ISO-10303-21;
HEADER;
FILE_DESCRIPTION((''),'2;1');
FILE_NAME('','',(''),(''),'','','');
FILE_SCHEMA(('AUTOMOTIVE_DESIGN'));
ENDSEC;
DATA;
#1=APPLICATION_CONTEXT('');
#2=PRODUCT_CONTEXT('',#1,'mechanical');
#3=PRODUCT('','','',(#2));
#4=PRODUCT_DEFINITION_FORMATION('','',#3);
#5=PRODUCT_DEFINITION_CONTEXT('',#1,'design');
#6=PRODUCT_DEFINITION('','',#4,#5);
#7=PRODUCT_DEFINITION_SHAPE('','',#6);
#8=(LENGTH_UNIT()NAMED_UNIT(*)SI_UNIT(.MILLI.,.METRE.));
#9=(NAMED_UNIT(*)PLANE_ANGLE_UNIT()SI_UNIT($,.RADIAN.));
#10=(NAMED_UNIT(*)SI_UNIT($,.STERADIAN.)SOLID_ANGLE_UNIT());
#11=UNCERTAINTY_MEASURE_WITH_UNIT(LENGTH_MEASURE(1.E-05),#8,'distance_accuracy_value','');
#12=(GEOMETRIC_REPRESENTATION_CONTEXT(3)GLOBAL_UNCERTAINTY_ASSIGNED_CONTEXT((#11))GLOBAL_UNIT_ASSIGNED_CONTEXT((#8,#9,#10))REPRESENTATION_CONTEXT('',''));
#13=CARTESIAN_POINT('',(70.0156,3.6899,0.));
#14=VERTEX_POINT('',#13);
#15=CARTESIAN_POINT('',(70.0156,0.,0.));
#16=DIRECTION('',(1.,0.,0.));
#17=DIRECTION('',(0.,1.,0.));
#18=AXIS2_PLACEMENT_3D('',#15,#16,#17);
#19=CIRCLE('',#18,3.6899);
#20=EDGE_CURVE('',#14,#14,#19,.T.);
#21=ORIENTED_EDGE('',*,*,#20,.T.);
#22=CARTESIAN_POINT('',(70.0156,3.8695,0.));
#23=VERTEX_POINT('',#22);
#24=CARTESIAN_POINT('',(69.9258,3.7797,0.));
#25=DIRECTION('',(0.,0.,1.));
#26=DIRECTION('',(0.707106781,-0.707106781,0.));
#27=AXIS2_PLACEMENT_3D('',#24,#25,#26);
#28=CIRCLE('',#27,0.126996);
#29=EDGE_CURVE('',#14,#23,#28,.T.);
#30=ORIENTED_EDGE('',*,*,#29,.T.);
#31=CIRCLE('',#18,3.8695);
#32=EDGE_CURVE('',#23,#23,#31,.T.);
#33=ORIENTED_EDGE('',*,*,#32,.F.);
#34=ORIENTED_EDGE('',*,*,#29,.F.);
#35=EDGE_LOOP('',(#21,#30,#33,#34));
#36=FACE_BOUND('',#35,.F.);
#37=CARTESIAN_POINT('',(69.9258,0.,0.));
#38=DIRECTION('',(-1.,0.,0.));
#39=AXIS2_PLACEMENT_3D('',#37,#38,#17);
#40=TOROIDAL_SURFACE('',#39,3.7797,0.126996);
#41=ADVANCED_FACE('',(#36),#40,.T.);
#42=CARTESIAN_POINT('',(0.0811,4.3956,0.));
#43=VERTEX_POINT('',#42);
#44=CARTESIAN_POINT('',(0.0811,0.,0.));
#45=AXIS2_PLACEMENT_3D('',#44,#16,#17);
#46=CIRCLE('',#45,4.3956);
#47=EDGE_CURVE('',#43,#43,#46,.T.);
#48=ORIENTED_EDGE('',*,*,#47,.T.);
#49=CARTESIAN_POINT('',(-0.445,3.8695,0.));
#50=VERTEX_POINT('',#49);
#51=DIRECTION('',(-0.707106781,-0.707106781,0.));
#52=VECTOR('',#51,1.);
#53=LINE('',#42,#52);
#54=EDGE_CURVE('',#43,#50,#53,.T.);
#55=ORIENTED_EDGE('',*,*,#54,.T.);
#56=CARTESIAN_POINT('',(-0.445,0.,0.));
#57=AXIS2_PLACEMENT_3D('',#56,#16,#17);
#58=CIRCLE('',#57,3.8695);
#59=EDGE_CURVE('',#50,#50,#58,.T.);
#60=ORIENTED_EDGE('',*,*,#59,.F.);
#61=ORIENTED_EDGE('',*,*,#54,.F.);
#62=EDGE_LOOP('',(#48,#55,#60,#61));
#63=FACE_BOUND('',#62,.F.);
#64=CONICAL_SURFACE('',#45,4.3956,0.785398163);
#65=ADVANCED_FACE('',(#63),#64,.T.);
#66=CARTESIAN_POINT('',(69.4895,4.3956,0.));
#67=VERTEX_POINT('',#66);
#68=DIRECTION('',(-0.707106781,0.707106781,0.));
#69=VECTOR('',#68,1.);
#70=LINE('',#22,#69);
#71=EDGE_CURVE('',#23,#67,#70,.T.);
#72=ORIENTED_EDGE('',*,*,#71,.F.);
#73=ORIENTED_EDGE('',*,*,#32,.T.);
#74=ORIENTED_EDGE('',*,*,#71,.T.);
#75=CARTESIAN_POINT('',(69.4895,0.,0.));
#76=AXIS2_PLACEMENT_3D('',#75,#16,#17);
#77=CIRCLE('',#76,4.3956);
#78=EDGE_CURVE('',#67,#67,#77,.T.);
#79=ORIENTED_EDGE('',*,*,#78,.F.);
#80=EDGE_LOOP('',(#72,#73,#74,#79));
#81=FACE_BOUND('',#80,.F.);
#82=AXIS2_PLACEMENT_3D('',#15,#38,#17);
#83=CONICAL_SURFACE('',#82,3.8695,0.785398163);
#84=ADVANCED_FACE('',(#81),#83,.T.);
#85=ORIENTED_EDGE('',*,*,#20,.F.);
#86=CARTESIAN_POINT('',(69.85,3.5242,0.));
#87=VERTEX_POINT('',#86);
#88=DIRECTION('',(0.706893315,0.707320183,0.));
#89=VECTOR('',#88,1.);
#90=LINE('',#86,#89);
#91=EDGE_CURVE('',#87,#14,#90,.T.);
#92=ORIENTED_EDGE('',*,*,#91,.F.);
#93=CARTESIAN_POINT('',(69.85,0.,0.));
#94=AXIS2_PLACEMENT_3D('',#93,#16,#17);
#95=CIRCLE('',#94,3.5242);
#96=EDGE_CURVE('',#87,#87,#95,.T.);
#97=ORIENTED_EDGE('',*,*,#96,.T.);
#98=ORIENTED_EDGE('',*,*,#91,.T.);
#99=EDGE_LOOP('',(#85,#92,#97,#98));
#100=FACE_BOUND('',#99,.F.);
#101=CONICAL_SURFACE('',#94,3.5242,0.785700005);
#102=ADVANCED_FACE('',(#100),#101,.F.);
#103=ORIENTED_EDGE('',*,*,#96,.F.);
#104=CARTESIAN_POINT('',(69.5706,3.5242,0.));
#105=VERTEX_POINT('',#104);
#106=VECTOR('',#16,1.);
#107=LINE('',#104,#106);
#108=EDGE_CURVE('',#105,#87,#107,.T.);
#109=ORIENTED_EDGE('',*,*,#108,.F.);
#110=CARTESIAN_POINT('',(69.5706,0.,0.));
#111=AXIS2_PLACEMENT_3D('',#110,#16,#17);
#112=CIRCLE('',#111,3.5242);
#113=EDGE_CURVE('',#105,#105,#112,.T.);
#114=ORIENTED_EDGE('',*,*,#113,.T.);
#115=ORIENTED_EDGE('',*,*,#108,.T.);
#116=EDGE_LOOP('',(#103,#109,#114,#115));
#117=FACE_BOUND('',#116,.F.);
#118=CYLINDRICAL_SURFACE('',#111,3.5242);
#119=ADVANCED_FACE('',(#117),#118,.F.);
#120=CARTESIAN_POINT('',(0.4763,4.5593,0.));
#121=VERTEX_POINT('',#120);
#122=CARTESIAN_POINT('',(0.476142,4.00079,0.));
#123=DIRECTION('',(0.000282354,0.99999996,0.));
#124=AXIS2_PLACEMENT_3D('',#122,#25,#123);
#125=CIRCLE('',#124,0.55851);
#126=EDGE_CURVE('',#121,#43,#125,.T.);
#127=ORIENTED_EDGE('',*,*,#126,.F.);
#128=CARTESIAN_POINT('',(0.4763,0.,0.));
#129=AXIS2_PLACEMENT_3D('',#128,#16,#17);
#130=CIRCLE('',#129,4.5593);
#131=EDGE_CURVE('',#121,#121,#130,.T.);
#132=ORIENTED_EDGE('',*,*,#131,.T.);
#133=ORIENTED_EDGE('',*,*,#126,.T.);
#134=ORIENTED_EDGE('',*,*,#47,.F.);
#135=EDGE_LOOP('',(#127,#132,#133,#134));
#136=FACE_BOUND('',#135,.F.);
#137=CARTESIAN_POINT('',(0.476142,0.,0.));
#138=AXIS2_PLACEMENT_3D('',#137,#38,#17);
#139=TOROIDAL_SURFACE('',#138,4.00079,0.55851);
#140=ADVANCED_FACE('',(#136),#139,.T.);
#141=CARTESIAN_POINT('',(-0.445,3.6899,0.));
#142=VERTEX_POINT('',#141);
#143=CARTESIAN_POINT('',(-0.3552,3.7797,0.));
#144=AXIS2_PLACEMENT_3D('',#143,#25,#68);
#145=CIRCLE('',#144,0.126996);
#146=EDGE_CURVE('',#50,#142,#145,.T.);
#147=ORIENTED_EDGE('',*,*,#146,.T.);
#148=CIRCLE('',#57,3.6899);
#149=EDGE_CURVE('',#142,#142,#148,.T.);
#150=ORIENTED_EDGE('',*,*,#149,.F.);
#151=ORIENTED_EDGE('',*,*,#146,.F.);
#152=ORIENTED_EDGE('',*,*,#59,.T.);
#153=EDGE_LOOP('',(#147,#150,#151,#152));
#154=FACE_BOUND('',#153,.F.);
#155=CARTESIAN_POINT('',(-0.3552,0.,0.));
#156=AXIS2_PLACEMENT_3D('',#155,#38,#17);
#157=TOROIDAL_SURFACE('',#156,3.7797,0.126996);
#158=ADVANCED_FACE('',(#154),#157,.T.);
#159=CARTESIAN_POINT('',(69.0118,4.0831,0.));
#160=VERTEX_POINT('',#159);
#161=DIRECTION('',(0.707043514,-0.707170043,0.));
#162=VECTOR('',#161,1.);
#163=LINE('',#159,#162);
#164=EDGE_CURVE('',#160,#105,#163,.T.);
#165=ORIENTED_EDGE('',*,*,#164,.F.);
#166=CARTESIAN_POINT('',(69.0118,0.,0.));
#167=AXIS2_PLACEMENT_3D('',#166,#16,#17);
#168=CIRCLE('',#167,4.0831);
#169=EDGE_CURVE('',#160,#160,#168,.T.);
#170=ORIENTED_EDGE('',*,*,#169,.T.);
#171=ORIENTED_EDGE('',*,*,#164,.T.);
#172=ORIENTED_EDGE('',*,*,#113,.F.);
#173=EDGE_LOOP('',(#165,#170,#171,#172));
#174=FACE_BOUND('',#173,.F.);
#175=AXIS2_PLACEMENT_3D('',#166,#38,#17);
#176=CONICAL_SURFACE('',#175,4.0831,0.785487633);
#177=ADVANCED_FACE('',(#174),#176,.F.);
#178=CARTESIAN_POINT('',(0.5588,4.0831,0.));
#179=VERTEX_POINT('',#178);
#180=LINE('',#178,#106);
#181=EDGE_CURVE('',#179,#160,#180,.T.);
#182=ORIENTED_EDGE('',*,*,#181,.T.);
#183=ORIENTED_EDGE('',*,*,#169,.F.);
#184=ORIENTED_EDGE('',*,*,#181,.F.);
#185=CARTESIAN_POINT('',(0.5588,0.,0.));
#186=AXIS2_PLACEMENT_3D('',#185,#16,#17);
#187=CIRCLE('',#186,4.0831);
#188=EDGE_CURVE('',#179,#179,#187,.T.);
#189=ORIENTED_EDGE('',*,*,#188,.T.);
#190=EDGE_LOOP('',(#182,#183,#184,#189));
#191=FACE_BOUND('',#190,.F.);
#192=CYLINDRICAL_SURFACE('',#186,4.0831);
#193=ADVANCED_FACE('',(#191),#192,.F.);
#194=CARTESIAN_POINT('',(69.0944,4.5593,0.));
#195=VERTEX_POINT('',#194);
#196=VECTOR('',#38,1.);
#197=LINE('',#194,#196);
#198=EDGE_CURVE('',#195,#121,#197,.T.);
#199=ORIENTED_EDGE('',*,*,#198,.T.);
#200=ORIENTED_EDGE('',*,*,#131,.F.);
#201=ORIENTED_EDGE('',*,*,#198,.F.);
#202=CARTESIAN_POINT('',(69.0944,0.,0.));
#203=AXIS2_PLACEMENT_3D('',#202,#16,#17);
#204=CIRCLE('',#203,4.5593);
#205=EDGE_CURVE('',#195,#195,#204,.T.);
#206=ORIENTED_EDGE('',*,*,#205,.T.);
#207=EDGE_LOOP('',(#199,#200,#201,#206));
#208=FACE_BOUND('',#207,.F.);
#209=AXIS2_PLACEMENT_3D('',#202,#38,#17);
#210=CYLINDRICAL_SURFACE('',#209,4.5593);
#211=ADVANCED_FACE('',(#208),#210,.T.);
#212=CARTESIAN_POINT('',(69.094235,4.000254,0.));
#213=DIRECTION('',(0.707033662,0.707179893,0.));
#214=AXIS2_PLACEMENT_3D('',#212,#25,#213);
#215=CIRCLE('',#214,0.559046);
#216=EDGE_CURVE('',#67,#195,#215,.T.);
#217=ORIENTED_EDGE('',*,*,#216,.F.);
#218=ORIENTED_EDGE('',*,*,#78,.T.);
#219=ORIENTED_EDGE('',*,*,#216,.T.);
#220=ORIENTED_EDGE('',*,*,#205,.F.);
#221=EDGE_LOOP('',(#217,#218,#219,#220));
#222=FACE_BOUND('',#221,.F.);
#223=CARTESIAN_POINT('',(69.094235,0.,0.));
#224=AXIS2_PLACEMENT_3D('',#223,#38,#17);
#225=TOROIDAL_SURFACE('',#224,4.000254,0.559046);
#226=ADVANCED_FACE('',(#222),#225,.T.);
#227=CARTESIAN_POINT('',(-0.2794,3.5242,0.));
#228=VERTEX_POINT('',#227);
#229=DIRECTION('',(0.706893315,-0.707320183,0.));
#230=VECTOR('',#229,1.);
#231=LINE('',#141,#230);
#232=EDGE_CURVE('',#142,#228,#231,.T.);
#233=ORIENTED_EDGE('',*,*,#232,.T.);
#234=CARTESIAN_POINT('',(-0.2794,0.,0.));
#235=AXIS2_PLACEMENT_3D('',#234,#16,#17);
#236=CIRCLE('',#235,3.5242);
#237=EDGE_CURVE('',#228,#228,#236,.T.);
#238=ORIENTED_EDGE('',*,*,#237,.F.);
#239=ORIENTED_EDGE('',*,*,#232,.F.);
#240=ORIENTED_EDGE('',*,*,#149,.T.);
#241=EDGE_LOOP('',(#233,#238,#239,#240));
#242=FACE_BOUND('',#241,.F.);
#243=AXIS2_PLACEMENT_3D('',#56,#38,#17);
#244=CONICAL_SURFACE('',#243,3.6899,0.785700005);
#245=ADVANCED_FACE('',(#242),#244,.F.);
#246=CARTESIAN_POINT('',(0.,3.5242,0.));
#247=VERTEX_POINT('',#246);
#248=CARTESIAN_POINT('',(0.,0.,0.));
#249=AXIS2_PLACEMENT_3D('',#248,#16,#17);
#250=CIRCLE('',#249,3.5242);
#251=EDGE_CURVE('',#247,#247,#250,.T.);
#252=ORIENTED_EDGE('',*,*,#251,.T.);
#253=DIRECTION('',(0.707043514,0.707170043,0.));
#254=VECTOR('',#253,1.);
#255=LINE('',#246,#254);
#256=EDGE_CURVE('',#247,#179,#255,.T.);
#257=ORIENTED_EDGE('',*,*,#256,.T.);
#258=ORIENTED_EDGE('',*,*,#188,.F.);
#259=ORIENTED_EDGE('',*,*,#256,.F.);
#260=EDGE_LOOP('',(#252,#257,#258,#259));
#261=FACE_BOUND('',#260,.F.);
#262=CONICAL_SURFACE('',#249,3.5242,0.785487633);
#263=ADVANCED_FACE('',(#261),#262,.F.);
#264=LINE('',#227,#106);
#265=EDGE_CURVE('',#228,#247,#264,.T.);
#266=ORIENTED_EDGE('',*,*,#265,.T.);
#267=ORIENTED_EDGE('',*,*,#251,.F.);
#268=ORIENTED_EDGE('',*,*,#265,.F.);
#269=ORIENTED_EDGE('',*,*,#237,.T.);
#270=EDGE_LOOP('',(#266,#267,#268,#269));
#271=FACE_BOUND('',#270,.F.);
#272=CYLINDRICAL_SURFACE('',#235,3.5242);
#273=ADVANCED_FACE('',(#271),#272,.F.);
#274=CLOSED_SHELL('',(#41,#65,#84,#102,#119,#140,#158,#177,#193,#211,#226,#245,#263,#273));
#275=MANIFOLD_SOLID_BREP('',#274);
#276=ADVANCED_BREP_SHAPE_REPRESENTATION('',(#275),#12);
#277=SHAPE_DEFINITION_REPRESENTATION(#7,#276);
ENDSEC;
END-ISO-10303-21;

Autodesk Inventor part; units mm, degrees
sketch "Sketch_1" plane through (0, 0, 0) normal (0, 0, 1) x (1, 0, 0)
  line L0 (69.5706, 0) -> (0, 0)
  arc A0 (-0.445, 3.8695) -> (-0.445, 3.6899) centre (-0.3552, 3.7797) ccw
  line L1 (-0.445, 3.6899) -> (-0.2794, 3.5242)
  line L2 (-0.2794, 3.5242) -> (0, 3.5242)
  line L3 (0, 3.5242) -> (0.5588, 4.0831)
  line L4 (0.5588, 4.0831) -> (69.0118, 4.0831)
  line L5 (69.0118, 4.0831) -> (69.5706, 3.5242)
  line L6 (69.5706, 3.5242) -> (69.85, 3.5242)
  line L7 (69.85, 3.5242) -> (70.0156, 3.6899)
  arc A1 (70.0156, 3.6899) -> (70.0156, 3.8695) centre (69.9258, 3.7797) ccw
  line L8 (70.0156, 3.8695) -> (69.4895, 4.3956)
  arc A2 (69.4895, 4.3956) -> (69.0944, 4.5593) centre (69.0944, 4.0005) ccw
  line L9 (69.0944, 4.5593) -> (0.4763, 4.5593)
  arc A3 (0.4763, 4.5593) -> (0.0811, 4.3956) centre (0.4762, 4.0005) ccw
  line L10 (0.0811, 4.3956) -> (-0.445, 3.8695)
revolve "Revolution1" add sketch "Sketch_1" angle 360 about axis through (69.5706, 0, 0) along (1, 0, 0)
ref_plane "tube_front_XY" through (0, 0, 0) normal (1, 0, 0) x (0, 0, -1)
ref_plane "tube_front_YZ" through (0, 0, 0) normal (0, 0, -1) x (0, 1, 0)
ref_plane "tube_front_ZX" through (0, 0, 0) normal (0, 1, 0) x (1, 0, 0)
ref_plane "tube_rear_XY" through (69.5706, 0, 0) normal (1, 0, 0) x (0, 0, -1)
ref_plane "tube_rear_YZ" through (69.5706, 0, 0) normal (0, 0, -1) x (0, 1, 0)
ref_plane "tube_rear_ZX" through (69.5706, 0, 0) normal (0, 1, 0) x (1, 0, 0)
ref_plane "cp1_XY" through (34.7853, 4.5593, 0) normal (1, 0, 0) x (0, 0, -1)
ref_plane "cp1_YZ" through (34.7853, 4.5593, 0) normal (0, 0, -1) x (0, 1, 0)
ref_plane "cp1_ZX" through (34.7853, 4.5593, 0) normal (0, 1, 0) x (1, 0, 0)
ref_plane "cp2_XY" through (34.7853, 0, -4.5593) normal (1, 0, 0) x (0, 0, -1)
ref_plane "cp2_YZ" through (34.7853, 0, -4.5593) normal (0, 0, -1) x (0, 1, 0)
ref_plane "cp2_ZX" through (34.7853, 0, -4.5593) normal (0, 1, 0) x (1, 0, 0)
ref_plane "cp3_XY" through (34.7853, -4.5593, 0) normal (1, 0, 0) x (0, 0, -1)
ref_plane "cp3_YZ" through (34.7853, -4.5593, 0) normal (0, 0, -1) x (0, 1, 0)
ref_plane "cp3_ZX" through (34.7853, -4.5593, 0) normal (0, 1, 0) x (1, 0, 0)
ref_plane "cp4_XY" through (34.7853, 0, 4.5593) normal (1, 0, 0) x (0, 0, -1)
ref_plane "cp4_YZ" through (34.7853, 0, 4.5593) normal (0, 0, -1) x (0, 1, 0)
ref_plane "cp4_ZX" through (34.7853, 0, 4.5593) normal (0, 1, 0) x (1, 0, 0)
properties part number "007R-2.7390"
